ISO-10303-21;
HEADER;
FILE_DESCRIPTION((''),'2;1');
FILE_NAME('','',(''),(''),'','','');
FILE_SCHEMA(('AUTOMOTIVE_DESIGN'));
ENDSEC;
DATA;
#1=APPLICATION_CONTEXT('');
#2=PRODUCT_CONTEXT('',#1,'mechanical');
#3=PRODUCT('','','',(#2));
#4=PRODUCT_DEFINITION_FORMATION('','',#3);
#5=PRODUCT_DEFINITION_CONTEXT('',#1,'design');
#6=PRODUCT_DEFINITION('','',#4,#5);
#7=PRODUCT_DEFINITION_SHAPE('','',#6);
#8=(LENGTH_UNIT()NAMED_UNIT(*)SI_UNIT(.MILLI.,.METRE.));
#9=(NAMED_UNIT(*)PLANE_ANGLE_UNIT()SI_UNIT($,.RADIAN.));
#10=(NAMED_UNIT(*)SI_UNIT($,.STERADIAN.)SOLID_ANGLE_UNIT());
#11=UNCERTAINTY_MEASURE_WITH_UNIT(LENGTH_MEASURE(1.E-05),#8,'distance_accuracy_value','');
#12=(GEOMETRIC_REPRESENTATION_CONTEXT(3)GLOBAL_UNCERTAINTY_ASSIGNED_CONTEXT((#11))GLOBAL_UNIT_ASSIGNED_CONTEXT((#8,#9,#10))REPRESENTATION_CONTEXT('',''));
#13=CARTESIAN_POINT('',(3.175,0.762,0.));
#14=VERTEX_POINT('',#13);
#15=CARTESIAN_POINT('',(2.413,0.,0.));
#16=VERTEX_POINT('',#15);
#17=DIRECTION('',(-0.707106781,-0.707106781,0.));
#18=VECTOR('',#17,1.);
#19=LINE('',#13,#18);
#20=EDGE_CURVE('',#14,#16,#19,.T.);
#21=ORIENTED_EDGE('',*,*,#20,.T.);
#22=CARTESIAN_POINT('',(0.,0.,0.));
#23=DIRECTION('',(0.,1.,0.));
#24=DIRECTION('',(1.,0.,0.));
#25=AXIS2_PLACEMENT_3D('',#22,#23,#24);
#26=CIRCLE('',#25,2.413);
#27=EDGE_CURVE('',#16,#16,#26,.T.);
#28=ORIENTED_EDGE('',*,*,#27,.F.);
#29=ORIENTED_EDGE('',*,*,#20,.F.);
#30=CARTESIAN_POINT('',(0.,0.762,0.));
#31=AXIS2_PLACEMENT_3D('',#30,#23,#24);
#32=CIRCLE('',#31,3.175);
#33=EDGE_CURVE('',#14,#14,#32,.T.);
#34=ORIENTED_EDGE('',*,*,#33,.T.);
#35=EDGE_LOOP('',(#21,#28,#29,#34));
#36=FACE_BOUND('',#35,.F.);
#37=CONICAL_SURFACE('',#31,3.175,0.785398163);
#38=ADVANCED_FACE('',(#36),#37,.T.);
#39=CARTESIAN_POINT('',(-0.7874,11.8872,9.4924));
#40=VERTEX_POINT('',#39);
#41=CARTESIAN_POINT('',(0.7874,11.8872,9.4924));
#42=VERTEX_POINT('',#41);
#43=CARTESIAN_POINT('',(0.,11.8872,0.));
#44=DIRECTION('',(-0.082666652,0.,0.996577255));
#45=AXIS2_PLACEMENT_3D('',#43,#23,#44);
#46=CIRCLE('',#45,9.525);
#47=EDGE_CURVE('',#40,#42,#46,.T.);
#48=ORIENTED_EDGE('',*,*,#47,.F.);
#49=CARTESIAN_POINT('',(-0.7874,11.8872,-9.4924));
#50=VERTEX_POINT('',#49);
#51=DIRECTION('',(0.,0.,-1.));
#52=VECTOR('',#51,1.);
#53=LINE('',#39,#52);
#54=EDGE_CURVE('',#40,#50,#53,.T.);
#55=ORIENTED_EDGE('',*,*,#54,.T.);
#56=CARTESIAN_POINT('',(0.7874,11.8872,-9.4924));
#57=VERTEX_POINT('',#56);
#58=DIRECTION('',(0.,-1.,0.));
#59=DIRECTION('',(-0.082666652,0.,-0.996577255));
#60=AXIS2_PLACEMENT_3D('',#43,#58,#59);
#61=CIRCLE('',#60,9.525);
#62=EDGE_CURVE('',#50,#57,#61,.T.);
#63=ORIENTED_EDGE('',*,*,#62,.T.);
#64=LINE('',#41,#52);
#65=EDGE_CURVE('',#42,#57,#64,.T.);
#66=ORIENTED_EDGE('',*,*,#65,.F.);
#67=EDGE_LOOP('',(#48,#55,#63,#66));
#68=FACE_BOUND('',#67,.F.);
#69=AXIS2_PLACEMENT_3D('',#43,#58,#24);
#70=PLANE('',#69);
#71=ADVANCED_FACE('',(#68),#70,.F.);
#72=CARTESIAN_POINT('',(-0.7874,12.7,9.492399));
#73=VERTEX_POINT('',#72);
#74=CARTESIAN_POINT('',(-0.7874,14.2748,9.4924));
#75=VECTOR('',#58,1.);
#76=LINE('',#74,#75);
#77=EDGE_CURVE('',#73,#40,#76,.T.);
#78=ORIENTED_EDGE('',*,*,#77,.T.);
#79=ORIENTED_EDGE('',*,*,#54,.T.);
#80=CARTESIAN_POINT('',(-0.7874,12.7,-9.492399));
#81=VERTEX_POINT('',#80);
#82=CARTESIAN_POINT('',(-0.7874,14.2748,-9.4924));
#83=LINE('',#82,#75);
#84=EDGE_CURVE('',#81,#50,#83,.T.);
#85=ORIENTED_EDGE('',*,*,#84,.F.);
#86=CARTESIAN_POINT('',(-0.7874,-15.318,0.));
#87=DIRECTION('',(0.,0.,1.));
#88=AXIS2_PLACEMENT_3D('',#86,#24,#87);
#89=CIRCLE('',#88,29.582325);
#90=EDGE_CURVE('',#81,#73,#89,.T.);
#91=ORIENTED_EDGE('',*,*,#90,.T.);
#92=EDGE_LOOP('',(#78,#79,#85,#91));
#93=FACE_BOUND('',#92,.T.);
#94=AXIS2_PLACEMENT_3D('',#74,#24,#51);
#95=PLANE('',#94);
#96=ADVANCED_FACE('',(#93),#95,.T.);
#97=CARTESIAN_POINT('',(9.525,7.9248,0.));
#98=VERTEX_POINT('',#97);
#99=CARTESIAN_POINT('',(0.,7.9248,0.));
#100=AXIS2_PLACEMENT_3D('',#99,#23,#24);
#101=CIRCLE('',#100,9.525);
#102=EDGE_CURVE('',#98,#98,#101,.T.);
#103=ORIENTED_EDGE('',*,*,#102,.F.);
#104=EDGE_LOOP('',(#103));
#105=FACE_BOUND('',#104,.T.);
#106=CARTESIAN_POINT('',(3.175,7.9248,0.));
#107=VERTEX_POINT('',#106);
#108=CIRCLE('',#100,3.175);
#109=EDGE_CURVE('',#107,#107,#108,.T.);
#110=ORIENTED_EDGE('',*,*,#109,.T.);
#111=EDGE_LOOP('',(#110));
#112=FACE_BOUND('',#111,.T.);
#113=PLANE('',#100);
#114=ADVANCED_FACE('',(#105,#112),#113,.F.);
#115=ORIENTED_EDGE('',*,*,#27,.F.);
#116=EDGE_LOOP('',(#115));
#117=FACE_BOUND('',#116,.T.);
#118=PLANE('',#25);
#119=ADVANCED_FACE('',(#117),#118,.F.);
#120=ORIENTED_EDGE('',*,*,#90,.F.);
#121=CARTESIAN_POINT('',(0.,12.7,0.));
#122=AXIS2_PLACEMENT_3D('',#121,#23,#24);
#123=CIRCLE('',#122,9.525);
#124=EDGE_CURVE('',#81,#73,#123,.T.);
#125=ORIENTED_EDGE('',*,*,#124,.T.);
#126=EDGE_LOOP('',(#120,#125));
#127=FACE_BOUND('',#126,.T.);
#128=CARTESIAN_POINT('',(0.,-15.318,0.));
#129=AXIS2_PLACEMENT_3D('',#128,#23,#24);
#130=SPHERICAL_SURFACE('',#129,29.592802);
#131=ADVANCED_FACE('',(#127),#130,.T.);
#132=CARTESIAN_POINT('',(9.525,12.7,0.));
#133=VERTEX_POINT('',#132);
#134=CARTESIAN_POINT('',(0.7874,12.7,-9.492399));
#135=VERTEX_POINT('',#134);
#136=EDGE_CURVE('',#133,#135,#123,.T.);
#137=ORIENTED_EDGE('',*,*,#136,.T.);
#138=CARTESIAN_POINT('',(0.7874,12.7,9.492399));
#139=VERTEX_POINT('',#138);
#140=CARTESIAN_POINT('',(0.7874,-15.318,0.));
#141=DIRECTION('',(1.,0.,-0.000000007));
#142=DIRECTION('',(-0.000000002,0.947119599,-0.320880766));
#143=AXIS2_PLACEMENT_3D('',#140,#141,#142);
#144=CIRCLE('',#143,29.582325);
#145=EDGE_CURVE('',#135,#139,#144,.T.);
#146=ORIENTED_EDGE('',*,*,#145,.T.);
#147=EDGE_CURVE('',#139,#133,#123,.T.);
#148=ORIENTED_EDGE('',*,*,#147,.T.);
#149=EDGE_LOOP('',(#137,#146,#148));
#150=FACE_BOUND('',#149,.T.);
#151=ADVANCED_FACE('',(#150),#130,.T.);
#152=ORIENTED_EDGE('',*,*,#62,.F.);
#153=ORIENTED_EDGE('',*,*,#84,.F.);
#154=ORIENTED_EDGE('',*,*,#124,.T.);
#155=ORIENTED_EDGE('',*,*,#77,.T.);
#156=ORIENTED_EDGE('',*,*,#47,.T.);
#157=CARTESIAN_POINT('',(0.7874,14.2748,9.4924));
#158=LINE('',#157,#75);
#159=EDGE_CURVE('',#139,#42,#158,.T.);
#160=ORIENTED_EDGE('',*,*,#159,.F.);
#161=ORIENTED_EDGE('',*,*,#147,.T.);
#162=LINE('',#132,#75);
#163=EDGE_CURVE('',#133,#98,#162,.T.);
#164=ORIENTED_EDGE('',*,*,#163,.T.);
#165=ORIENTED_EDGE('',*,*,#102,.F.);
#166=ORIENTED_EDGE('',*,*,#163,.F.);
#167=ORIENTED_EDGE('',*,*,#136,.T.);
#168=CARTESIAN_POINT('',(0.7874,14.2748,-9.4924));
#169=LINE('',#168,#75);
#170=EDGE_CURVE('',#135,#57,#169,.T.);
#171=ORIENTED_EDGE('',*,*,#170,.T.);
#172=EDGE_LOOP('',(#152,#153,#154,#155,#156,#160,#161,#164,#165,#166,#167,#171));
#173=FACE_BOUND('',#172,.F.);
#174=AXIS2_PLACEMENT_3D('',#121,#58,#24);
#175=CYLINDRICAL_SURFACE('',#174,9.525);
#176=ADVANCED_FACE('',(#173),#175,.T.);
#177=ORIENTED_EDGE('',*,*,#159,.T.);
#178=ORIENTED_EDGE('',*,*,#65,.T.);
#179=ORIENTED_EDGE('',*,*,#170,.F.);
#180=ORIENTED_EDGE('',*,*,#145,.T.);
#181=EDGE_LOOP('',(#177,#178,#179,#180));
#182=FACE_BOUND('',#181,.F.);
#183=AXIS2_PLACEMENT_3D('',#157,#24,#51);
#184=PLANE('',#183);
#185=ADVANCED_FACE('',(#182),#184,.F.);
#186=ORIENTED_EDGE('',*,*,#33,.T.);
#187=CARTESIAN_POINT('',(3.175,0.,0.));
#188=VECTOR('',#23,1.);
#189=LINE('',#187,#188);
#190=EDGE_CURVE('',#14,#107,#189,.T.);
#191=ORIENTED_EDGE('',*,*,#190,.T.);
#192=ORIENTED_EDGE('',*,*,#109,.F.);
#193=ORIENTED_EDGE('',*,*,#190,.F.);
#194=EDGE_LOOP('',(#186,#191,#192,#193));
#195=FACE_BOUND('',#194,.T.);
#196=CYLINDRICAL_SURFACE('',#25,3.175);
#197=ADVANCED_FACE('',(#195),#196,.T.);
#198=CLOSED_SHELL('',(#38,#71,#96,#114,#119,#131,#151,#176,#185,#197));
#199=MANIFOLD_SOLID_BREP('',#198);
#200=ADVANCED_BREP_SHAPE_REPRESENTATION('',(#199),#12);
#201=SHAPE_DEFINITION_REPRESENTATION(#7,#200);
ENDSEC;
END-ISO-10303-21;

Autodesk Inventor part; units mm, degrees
ref_plane "YZ Plane" through (0, 0, 0) normal (1, 0, 0) x (0, 1, 0)
ref_plane "XZ Plane" through (0, 0, 0) normal (0, 1, 0) x (-1, 0, 0)
sketch "Sketch1" plane through (0, 0, 0) normal (0, 0, 1) x (1, 0, 0)
  line L0 (0, 0) -> (19.05, 0)
  line L1 (-9.525, 7.9248) -> (9.525, 7.9248)
  line L2 (-9.525, 7.9248) -> (-9.525, 12.7)
  line L3 (-9.525, 12.7) -> (9.525, 12.7)
  line L4 (9.525, 12.7) -> (9.525, 7.9248)
  line L5 (0, 12.7) -> (0, 14.2748)
  arc A0 (9.525, 12.7) -> (-9.525, 12.7) centre (0, -15.318) ccw
  line L6 (0, 7.9248) -> (0, 0)
  line L7 (3.175, 0) -> (3.175, 7.9248)
  line L8 (3.175, 0) -> (-3.175, 0)
  line L9 (-3.175, 0) -> (-3.175, 7.9248)
  line L10 (-15.24, 0) -> (24.765, 0) projected
  line L11 (0, -21.2366) -> (0, 20.1934) projected
  dimension "d1" = 19.05
  dimension "d2" = 4.7752
  dimension "d4" = 1.5748
  dimension "d6" = 3.175
  dimension "d7" = 6.35
  dimension "d19" = 14.2748
revolve "Revolution1" add sketch "Sketch1" angle 360 about axis through (0, -10, 0) along (0, 1, 0) picked at (5.3129, 12.9905) contours L6 L1 L7 L0 | L11 L3 L4 L1 | L5 A0 L3
ref_plane "Work Plane1" through (0, 14.2748, 0) normal (0, -1, 0) x (1, 0, 0)
sketch "Sketch2" plane through (0, 14.2748, 0) normal (0, -1, 0) x (1, 0, 0)
  circle A0 centre (0, 0) radius 9.525 projected
  line L0 (0.7874, 9.4924) -> (0.7874, -9.4924)
  line L1 (-0.7874, 9.4924) -> (-0.7874, -9.4924)
  line L2 (0, -13.335) -> (0, 13.335) projected
  line L3 (-13.335, 0) -> (13.335, 0) projected
  point P0 (0, 9.525)
  dimension "d11" = 1.5748
extrude "Extrusion1" cut sketch "Sketch2" along normal blind 2.3876 contours L0 L3 L2 A0 | A0 L2 L3 L0 | L2 L3 L1 A0 | A0 L1 L3 L2
chamfer "Chamfer1" distance 0.762 angle 45 1 edges at (-3.175, 0, 0)
thread "Thread1" size "1/4-20 UNC" class "2A" standard "ANSI Unified Screw Threads" full length
properties part number "Ch7(5) Part 12 Screw NEED TO DO"
